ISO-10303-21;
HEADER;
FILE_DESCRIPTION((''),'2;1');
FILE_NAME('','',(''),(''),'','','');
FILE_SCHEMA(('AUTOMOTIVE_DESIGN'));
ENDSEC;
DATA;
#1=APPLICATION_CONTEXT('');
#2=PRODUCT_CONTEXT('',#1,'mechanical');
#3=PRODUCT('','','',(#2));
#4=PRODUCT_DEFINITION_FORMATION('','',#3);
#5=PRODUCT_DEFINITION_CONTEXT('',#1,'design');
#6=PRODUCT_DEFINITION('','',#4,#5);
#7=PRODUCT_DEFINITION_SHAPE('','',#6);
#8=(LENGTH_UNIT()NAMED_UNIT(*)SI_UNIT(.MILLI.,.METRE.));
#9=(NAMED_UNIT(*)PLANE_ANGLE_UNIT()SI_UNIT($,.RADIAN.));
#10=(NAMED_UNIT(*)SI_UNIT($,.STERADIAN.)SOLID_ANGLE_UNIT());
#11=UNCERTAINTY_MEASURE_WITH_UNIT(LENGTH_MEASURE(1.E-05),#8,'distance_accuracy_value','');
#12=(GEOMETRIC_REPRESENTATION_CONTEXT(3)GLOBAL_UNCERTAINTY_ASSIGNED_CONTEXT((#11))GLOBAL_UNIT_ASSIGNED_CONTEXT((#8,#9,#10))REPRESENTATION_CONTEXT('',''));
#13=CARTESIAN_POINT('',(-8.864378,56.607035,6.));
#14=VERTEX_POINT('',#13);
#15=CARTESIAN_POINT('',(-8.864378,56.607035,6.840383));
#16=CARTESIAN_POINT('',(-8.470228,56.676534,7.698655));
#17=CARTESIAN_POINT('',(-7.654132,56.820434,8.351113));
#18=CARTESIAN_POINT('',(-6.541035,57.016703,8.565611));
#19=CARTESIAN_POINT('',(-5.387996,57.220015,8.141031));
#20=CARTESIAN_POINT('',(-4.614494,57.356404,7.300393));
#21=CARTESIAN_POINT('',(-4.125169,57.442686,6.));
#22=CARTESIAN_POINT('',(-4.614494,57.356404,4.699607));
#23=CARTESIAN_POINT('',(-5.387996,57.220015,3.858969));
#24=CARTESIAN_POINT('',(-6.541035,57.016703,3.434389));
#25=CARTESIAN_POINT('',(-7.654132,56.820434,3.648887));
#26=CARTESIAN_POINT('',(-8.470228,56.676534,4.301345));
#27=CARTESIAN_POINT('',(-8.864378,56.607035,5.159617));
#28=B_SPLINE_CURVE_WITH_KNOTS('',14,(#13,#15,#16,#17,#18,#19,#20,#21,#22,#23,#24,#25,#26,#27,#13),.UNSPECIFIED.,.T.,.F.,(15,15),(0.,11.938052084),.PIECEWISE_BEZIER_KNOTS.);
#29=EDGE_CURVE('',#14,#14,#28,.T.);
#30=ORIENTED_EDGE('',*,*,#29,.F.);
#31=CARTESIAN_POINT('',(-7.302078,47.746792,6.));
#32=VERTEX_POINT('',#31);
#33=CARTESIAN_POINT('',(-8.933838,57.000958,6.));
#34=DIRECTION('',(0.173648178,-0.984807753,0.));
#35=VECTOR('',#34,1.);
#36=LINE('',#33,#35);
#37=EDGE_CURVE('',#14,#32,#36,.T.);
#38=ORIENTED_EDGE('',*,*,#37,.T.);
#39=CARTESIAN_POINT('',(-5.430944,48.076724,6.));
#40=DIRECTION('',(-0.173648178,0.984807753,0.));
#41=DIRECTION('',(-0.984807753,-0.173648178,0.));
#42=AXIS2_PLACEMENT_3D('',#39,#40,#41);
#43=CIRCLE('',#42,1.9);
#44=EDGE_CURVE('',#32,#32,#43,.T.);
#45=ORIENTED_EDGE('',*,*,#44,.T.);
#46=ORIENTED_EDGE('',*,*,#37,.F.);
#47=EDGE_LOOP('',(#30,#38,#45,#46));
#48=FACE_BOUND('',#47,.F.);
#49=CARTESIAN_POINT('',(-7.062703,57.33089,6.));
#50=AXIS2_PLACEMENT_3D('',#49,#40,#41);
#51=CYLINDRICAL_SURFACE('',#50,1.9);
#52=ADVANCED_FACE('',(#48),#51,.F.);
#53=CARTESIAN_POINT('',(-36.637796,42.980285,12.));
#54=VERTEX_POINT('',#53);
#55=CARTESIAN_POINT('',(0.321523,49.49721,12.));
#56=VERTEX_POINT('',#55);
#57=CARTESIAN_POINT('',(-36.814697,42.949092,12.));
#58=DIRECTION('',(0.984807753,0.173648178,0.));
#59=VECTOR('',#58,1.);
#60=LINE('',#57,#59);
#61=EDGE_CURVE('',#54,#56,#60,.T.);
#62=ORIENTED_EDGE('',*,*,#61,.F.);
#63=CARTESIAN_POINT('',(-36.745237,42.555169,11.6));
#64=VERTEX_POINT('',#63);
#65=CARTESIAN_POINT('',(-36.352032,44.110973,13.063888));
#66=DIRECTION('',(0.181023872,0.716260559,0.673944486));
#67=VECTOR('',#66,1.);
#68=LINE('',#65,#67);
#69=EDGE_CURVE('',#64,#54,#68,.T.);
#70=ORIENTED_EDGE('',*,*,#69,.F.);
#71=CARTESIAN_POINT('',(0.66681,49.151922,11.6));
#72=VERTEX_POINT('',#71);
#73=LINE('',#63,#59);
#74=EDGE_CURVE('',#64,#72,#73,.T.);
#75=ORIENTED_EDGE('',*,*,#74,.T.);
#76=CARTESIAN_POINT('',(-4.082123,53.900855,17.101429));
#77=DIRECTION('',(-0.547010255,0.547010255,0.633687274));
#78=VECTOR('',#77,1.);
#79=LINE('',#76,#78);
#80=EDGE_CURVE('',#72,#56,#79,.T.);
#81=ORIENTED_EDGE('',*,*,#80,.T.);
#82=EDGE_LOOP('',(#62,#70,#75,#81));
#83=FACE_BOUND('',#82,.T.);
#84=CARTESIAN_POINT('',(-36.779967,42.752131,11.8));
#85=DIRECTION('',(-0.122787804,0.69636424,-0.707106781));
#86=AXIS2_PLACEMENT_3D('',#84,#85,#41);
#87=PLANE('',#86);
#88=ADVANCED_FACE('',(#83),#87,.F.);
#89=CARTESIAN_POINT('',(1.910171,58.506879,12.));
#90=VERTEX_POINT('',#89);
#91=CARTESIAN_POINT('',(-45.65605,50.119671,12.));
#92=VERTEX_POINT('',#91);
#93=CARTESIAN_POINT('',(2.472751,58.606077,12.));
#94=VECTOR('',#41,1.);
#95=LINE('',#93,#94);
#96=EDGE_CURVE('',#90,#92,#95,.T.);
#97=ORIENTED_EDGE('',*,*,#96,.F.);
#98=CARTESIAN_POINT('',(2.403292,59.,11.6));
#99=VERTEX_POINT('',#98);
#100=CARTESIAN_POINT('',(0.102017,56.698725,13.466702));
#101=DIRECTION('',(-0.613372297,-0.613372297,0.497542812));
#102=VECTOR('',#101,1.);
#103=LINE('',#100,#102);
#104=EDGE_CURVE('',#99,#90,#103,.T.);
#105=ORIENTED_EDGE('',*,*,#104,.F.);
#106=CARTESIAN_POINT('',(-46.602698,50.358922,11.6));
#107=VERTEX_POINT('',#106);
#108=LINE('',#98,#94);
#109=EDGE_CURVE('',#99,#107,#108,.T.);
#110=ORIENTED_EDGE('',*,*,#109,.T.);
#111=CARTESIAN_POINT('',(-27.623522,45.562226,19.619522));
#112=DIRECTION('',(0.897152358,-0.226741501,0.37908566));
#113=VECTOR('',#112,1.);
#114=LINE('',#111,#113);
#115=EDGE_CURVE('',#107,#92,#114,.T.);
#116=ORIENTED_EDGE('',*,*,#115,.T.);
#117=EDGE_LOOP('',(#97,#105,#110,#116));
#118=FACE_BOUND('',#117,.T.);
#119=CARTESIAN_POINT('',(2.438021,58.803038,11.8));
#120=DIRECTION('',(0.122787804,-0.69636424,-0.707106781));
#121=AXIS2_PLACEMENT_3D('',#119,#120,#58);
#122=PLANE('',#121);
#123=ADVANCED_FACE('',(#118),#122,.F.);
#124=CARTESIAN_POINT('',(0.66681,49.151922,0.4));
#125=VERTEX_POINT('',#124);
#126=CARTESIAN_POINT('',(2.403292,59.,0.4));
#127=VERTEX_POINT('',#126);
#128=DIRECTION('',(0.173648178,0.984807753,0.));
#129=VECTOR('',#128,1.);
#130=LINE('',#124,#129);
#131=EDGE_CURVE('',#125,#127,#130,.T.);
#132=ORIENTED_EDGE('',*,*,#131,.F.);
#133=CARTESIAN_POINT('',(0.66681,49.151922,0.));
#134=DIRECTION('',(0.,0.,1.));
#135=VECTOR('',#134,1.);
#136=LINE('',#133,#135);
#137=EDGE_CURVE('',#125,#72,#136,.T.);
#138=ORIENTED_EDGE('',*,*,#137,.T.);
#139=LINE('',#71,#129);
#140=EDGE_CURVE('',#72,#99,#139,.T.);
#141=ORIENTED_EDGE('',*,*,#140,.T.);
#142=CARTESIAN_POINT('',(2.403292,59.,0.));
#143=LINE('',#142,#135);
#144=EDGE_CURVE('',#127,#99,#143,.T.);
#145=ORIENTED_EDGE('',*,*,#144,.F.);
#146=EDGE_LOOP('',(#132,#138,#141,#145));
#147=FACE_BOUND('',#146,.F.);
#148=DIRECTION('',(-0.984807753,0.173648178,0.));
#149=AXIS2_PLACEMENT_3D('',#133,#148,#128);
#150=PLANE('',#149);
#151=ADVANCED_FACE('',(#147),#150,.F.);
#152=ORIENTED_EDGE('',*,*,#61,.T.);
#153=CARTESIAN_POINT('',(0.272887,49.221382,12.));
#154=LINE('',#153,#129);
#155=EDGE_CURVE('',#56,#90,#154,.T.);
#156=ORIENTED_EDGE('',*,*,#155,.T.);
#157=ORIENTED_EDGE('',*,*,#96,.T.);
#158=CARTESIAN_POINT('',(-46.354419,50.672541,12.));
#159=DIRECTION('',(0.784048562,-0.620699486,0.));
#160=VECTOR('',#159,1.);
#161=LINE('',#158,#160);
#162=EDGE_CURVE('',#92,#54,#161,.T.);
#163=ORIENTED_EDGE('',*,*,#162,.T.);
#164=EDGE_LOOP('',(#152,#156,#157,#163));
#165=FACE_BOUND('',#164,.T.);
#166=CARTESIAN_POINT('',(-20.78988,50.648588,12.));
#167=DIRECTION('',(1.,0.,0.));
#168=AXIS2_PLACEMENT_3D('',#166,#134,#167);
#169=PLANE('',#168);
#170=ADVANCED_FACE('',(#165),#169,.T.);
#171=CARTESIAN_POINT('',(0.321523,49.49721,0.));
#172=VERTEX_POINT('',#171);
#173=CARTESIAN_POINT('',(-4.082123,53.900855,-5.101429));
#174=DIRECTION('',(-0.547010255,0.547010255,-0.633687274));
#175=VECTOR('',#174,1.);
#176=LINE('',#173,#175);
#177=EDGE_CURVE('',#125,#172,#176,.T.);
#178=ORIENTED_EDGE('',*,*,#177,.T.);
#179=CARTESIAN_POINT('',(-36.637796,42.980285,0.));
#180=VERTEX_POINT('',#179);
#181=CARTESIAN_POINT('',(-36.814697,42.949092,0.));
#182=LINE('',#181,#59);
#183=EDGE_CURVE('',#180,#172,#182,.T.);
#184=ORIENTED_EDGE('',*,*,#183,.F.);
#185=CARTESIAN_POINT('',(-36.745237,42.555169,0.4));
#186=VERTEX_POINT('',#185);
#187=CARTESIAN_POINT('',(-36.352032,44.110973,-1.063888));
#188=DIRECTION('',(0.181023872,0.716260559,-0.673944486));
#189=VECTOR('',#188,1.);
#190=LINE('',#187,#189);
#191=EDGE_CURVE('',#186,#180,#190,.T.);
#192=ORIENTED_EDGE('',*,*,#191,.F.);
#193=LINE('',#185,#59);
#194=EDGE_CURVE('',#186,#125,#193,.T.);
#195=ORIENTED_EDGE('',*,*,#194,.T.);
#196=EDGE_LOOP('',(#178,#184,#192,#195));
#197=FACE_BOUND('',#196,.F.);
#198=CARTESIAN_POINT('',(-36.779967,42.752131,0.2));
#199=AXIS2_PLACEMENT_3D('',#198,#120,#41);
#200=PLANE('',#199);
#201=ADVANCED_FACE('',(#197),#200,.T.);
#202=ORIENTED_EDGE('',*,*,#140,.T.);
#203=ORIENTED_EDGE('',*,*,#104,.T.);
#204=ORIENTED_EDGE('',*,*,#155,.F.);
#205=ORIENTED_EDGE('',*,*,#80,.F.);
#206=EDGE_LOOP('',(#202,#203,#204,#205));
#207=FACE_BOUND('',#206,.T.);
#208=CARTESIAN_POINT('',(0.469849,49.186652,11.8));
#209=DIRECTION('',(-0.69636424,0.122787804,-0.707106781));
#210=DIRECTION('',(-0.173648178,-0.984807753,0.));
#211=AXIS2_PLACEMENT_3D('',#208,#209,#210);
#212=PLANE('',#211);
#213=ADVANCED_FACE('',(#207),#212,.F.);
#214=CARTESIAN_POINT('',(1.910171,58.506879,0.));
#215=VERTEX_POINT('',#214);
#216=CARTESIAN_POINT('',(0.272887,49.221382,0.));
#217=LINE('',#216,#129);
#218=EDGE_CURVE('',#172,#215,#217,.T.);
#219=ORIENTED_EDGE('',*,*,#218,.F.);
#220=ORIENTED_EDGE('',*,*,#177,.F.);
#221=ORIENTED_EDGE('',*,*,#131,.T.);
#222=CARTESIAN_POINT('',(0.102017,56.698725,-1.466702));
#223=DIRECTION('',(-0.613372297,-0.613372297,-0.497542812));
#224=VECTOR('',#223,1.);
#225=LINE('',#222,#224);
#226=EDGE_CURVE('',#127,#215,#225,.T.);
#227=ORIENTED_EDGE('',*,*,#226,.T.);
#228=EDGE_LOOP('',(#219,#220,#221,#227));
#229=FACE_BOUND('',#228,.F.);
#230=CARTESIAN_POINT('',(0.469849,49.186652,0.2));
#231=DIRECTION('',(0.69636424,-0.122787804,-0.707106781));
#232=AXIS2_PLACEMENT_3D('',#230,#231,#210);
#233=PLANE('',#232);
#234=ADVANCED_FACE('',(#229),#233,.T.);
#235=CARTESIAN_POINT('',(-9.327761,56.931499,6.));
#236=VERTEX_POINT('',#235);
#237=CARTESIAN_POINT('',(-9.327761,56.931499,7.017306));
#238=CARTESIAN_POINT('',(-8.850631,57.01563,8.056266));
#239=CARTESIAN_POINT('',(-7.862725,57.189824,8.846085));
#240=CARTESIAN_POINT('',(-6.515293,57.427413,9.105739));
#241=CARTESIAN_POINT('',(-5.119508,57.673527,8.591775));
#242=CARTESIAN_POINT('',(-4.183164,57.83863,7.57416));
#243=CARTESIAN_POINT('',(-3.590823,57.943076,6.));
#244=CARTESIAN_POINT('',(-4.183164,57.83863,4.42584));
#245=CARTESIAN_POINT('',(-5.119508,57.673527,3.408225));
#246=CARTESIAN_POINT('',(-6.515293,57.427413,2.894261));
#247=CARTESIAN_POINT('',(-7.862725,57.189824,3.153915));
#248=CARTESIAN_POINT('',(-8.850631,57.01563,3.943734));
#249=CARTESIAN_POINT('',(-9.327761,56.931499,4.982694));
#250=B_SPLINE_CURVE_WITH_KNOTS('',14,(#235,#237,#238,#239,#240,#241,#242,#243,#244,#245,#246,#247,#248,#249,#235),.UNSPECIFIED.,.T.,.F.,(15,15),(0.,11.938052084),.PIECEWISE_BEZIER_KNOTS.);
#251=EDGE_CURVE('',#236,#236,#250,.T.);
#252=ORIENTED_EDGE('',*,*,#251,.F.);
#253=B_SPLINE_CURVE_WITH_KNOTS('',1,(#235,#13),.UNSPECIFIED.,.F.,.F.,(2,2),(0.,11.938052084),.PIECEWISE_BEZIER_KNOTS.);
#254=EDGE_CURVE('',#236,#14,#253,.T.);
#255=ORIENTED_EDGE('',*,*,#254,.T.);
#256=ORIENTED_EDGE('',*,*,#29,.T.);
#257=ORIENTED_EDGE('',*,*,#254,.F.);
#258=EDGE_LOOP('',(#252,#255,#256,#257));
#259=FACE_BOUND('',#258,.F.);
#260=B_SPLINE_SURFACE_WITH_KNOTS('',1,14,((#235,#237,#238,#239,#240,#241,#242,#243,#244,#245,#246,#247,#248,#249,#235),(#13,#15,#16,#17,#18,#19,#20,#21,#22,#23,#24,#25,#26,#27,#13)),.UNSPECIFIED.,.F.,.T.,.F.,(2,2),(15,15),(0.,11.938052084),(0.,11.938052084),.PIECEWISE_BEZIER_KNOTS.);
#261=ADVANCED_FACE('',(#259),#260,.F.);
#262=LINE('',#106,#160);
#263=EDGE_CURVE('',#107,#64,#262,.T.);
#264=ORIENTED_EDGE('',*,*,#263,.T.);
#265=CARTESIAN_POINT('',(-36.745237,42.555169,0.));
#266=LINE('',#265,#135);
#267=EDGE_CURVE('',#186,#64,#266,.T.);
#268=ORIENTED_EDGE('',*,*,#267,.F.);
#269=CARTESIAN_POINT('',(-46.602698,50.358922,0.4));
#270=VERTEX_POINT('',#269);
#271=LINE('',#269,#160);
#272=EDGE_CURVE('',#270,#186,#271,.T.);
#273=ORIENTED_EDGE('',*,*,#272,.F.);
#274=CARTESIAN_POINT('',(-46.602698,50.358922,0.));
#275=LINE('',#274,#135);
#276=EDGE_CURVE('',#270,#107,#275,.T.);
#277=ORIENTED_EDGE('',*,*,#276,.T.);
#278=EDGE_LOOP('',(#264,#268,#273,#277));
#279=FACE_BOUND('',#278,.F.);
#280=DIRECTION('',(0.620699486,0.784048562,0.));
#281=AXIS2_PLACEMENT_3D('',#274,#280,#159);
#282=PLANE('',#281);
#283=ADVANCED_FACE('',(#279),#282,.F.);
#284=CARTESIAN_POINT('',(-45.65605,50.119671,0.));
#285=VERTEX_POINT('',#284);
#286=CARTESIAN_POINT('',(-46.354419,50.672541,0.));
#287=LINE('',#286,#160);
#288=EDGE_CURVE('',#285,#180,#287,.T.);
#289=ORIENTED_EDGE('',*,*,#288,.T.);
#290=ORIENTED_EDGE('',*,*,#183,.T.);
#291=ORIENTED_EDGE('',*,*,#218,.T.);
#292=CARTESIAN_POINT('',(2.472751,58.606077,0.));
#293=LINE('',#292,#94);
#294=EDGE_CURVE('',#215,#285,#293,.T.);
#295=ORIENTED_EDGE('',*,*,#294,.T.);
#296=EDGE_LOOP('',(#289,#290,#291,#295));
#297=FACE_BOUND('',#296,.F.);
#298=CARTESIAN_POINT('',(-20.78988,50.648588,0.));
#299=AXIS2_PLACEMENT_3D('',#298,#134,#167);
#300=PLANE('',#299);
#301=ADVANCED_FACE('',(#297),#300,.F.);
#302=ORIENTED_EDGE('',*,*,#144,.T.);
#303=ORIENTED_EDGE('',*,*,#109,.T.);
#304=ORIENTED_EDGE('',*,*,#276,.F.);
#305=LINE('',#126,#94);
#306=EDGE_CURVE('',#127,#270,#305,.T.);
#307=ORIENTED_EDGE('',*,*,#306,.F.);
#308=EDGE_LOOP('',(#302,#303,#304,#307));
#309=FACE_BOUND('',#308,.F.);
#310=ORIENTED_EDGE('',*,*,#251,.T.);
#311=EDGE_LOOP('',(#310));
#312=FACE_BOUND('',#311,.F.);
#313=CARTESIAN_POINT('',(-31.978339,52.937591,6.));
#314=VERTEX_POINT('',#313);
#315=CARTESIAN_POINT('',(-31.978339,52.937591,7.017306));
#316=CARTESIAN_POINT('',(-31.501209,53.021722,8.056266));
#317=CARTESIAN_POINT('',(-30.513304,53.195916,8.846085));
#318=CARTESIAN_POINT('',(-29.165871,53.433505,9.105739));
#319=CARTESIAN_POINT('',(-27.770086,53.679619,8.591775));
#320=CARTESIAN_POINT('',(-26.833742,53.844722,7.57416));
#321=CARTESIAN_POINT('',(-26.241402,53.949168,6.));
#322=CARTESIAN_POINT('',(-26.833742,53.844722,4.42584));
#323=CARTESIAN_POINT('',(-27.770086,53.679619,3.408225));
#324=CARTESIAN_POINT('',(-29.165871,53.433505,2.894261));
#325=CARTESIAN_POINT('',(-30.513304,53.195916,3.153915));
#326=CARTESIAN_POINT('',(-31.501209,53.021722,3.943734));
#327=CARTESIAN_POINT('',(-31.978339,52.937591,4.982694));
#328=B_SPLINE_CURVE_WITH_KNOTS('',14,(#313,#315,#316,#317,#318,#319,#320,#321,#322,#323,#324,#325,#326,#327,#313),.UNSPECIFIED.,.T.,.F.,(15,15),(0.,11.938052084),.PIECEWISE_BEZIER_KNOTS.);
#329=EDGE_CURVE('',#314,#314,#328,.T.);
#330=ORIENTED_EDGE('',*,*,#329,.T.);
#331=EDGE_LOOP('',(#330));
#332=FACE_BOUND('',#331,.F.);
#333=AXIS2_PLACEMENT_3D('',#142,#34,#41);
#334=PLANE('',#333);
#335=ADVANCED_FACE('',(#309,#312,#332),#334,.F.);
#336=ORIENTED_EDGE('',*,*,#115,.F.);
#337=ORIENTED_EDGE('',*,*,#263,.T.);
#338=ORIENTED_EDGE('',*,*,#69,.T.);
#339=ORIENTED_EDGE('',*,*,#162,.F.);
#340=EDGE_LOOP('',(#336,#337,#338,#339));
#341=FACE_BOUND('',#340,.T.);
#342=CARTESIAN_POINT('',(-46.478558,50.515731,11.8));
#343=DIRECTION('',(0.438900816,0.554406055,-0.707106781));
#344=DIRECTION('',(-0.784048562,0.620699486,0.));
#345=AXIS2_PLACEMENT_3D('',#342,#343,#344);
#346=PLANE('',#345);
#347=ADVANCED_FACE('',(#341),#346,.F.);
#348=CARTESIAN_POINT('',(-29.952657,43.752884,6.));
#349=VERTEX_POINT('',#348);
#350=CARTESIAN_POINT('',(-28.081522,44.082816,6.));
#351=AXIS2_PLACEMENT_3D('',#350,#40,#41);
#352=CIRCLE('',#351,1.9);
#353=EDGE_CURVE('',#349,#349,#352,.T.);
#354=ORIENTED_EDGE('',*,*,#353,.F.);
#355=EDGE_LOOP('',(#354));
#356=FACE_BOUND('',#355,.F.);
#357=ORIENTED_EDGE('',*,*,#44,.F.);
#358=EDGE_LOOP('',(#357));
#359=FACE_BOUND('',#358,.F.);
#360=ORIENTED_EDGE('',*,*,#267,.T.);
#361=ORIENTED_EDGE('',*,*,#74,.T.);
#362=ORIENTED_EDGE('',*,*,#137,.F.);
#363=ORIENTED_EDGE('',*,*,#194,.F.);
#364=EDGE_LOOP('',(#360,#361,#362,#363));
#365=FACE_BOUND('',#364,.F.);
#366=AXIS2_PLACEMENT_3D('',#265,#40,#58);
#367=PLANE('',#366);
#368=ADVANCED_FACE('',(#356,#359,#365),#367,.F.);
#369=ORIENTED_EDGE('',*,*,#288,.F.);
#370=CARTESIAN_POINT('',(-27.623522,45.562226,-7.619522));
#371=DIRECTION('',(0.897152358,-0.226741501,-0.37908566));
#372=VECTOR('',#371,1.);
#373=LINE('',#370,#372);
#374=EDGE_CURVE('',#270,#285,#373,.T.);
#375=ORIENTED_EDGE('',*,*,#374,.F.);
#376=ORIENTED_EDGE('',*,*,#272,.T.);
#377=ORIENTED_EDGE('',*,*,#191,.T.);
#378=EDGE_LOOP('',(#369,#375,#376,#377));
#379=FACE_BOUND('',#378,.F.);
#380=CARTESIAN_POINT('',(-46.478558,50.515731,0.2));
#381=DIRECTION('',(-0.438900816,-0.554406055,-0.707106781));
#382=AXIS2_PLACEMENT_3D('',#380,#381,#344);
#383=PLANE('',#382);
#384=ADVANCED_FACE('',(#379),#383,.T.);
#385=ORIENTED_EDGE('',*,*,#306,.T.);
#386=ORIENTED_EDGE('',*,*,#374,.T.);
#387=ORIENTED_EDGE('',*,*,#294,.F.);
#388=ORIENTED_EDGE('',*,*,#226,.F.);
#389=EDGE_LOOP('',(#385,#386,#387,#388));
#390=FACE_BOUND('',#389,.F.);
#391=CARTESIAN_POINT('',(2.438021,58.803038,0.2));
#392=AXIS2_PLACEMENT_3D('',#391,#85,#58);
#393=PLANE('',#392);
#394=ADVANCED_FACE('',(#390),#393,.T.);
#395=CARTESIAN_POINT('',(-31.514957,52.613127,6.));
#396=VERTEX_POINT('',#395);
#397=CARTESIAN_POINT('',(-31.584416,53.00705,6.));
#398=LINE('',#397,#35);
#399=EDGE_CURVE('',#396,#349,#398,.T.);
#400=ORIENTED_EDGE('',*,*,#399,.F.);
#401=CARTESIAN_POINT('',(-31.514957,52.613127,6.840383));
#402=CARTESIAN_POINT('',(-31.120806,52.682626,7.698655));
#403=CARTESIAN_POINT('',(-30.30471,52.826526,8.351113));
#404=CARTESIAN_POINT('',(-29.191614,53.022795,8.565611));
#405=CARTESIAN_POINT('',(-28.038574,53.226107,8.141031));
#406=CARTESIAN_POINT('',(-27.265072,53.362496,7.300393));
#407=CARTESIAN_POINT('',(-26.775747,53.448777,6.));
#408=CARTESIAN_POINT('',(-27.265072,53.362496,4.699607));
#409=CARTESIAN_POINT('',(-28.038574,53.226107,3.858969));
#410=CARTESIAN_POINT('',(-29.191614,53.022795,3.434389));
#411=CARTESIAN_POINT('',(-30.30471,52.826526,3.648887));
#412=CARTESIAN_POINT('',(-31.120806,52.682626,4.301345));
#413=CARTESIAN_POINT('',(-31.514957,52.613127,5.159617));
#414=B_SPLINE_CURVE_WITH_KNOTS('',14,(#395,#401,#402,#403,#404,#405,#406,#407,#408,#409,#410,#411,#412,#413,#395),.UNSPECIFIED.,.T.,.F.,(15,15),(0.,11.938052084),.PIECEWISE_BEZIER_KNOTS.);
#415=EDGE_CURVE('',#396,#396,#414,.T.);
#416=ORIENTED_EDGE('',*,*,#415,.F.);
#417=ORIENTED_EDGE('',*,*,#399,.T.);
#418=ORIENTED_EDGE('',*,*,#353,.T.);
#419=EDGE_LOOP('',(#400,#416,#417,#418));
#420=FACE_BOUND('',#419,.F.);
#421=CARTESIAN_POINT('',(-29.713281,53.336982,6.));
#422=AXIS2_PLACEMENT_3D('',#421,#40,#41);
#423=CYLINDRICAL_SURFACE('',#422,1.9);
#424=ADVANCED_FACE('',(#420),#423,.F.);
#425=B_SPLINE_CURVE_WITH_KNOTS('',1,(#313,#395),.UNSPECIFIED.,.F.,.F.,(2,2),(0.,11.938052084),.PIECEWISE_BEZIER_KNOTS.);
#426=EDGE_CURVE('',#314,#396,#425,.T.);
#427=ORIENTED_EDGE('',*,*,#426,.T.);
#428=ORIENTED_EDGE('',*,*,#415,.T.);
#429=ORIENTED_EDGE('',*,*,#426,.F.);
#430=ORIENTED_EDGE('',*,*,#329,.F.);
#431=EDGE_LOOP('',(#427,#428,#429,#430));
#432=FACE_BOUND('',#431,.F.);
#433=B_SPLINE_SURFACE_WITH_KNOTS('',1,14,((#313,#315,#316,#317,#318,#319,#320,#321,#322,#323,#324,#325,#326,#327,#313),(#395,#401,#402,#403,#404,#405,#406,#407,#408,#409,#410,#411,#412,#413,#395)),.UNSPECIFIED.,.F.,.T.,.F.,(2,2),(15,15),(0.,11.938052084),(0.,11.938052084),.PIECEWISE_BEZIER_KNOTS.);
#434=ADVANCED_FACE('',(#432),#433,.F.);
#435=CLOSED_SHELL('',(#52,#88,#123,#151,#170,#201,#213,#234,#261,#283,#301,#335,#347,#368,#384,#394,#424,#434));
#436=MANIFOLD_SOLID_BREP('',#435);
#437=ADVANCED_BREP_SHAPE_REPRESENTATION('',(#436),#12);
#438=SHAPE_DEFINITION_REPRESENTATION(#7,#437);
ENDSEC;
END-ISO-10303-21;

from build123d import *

# Parameters (mm, degrees)
PAD003_DEPTH    = 12
CHAMFER003_SIZE = 0.4
SKETCH009_R     = 1.9
POCKET004_DEPTH = 16.1959969605
CHAMFER005_SIZE = 0.4


with BuildPart() as part:
    # Sketch007 → Pad003 (new body)
    with BuildSketch(Plane.XY):
        Polygon((0.6668100851, 49.1519224699), (2.4032918618, 59), (-46.602698377, 50.3589217046), (-36.745237331, 42.5551691069), align=None)
    extrude(amount=PAD003_DEPTH)

    # Chamfer003
    chamfer003_edges = [part.edges().sort_by_distance(p)[0] for p in [
        (1.535051, 54.075961, 12),
        (-22.099703, 54.679461, 12),
        (-41.673968, 46.457045, 12),
        (-18.039214, 45.853546, 12),
        (1.535051, 54.075961, 0),
        (-22.099703, 54.679461, 0),
        (-41.673968, 46.457045, 0),
        (-18.039214, 45.853546, 0),
    ]]
    chamfer(chamfer003_edges, length=CHAMFER003_SIZE)

    # Sketch009 (on Face5 of Chamfer003) → Pocket004 (cut, through all)
    with BuildSketch(Plane(origin=(-10.0171261113, 56.8099451997, 0), x_dir=(-0.984807753, -0.1736481777, 0), z_dir=(-0.1736481777, 0.984807753, 0))):
        with Locations((-3, 6)):
            Circle(SKETCH009_R)
        with Locations((20, 6)):
            Circle(SKETCH009_R)
    extrude(amount=-POCKET004_DEPTH, mode=Mode.SUBTRACT)

    # Chamfer005
    chamfer005_edges = [part.edges().sort_by_distance(p)[0] for p in [
        (-27.842146, 53.666913, 6),
        (-5.191568, 57.660821, 6),
    ]]
    chamfer(chamfer005_edges, length=CHAMFER005_SIZE)


solid = part.part
